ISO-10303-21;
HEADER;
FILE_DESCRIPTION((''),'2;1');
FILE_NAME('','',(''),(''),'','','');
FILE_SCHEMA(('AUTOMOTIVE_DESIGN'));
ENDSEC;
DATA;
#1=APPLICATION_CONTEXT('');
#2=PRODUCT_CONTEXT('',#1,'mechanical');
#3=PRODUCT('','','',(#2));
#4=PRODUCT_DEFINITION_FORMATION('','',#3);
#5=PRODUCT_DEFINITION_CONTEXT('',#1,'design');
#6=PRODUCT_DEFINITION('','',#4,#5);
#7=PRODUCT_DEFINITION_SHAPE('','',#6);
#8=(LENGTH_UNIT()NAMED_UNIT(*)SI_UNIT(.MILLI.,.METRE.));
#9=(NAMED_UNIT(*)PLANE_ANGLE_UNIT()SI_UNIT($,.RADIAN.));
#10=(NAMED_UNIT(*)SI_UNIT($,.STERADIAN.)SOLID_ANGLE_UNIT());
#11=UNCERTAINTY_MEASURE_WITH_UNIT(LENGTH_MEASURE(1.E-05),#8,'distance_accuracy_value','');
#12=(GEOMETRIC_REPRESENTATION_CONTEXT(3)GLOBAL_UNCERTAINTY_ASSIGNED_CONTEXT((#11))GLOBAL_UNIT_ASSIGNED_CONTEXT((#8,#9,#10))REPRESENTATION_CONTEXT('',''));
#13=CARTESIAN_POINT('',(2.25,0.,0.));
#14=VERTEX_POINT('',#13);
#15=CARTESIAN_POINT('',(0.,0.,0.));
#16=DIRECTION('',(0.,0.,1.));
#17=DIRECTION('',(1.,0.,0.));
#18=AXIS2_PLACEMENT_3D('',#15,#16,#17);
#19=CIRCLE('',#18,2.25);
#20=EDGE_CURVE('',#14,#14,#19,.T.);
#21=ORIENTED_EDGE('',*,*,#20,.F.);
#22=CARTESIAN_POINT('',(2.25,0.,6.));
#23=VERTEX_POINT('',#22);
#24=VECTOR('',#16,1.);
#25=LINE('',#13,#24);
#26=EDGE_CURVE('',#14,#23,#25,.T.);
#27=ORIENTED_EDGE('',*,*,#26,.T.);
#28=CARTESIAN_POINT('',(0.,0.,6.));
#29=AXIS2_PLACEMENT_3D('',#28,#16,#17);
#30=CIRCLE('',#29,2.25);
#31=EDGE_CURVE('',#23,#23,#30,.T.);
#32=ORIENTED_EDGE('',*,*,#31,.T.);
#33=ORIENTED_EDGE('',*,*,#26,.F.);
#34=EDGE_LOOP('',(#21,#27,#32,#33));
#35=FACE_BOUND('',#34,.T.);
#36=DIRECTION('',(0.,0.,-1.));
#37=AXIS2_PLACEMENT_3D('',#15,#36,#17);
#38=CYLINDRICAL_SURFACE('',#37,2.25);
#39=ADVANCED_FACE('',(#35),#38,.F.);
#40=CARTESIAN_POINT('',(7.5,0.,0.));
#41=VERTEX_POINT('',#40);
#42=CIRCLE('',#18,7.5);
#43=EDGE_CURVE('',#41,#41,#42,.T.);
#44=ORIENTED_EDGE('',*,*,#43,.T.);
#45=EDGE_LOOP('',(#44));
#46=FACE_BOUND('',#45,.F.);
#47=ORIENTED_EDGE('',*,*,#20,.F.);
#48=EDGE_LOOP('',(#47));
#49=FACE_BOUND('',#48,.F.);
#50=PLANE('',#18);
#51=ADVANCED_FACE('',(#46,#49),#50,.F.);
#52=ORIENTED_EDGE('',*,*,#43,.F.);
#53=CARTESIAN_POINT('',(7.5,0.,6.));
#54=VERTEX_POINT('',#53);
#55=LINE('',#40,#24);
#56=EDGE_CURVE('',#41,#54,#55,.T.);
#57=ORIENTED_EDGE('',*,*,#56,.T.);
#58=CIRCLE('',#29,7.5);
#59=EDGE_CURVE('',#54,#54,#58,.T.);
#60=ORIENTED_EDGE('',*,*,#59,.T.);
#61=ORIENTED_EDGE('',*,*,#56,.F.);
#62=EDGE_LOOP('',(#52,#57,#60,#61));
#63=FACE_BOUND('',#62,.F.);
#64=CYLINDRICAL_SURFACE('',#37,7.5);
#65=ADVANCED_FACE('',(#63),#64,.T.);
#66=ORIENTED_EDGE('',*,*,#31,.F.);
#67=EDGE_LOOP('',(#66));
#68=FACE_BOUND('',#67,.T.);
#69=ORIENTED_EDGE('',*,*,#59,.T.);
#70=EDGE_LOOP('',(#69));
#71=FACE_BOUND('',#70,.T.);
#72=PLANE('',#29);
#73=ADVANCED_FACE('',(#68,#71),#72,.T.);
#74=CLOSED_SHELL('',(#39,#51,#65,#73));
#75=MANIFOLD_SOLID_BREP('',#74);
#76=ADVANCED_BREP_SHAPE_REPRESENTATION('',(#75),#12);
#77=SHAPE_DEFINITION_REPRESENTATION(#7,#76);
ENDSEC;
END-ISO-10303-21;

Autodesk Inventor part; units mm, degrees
ref_plane "YZ Plane" through (0, 0, 0) normal (1, 0, 0) x (0, 1, 0)
ref_plane "XZ Plane" through (0, 0, 0) normal (0, 1, 0) x (-1, 0, 0)
ref_plane "XY Plane" through (0, 0, 0) normal (0, 0, 1) x (1, 0, 0)
sketch "Sketch1" plane through (0, 0, 0) normal (0, 0, 1) x (1, 0, 0)
  circle A0 centre (0, 0) radius 2.25
  circle A1 centre (0, 0) radius 7.5
  dimension "d0" = 4.5
  dimension "d1" = 15
extrude "Extrusion1" add sketch "Sketch1" along normal blind 6
properties part number "Top_6mm Spacer" material "Wood (Oak)"
